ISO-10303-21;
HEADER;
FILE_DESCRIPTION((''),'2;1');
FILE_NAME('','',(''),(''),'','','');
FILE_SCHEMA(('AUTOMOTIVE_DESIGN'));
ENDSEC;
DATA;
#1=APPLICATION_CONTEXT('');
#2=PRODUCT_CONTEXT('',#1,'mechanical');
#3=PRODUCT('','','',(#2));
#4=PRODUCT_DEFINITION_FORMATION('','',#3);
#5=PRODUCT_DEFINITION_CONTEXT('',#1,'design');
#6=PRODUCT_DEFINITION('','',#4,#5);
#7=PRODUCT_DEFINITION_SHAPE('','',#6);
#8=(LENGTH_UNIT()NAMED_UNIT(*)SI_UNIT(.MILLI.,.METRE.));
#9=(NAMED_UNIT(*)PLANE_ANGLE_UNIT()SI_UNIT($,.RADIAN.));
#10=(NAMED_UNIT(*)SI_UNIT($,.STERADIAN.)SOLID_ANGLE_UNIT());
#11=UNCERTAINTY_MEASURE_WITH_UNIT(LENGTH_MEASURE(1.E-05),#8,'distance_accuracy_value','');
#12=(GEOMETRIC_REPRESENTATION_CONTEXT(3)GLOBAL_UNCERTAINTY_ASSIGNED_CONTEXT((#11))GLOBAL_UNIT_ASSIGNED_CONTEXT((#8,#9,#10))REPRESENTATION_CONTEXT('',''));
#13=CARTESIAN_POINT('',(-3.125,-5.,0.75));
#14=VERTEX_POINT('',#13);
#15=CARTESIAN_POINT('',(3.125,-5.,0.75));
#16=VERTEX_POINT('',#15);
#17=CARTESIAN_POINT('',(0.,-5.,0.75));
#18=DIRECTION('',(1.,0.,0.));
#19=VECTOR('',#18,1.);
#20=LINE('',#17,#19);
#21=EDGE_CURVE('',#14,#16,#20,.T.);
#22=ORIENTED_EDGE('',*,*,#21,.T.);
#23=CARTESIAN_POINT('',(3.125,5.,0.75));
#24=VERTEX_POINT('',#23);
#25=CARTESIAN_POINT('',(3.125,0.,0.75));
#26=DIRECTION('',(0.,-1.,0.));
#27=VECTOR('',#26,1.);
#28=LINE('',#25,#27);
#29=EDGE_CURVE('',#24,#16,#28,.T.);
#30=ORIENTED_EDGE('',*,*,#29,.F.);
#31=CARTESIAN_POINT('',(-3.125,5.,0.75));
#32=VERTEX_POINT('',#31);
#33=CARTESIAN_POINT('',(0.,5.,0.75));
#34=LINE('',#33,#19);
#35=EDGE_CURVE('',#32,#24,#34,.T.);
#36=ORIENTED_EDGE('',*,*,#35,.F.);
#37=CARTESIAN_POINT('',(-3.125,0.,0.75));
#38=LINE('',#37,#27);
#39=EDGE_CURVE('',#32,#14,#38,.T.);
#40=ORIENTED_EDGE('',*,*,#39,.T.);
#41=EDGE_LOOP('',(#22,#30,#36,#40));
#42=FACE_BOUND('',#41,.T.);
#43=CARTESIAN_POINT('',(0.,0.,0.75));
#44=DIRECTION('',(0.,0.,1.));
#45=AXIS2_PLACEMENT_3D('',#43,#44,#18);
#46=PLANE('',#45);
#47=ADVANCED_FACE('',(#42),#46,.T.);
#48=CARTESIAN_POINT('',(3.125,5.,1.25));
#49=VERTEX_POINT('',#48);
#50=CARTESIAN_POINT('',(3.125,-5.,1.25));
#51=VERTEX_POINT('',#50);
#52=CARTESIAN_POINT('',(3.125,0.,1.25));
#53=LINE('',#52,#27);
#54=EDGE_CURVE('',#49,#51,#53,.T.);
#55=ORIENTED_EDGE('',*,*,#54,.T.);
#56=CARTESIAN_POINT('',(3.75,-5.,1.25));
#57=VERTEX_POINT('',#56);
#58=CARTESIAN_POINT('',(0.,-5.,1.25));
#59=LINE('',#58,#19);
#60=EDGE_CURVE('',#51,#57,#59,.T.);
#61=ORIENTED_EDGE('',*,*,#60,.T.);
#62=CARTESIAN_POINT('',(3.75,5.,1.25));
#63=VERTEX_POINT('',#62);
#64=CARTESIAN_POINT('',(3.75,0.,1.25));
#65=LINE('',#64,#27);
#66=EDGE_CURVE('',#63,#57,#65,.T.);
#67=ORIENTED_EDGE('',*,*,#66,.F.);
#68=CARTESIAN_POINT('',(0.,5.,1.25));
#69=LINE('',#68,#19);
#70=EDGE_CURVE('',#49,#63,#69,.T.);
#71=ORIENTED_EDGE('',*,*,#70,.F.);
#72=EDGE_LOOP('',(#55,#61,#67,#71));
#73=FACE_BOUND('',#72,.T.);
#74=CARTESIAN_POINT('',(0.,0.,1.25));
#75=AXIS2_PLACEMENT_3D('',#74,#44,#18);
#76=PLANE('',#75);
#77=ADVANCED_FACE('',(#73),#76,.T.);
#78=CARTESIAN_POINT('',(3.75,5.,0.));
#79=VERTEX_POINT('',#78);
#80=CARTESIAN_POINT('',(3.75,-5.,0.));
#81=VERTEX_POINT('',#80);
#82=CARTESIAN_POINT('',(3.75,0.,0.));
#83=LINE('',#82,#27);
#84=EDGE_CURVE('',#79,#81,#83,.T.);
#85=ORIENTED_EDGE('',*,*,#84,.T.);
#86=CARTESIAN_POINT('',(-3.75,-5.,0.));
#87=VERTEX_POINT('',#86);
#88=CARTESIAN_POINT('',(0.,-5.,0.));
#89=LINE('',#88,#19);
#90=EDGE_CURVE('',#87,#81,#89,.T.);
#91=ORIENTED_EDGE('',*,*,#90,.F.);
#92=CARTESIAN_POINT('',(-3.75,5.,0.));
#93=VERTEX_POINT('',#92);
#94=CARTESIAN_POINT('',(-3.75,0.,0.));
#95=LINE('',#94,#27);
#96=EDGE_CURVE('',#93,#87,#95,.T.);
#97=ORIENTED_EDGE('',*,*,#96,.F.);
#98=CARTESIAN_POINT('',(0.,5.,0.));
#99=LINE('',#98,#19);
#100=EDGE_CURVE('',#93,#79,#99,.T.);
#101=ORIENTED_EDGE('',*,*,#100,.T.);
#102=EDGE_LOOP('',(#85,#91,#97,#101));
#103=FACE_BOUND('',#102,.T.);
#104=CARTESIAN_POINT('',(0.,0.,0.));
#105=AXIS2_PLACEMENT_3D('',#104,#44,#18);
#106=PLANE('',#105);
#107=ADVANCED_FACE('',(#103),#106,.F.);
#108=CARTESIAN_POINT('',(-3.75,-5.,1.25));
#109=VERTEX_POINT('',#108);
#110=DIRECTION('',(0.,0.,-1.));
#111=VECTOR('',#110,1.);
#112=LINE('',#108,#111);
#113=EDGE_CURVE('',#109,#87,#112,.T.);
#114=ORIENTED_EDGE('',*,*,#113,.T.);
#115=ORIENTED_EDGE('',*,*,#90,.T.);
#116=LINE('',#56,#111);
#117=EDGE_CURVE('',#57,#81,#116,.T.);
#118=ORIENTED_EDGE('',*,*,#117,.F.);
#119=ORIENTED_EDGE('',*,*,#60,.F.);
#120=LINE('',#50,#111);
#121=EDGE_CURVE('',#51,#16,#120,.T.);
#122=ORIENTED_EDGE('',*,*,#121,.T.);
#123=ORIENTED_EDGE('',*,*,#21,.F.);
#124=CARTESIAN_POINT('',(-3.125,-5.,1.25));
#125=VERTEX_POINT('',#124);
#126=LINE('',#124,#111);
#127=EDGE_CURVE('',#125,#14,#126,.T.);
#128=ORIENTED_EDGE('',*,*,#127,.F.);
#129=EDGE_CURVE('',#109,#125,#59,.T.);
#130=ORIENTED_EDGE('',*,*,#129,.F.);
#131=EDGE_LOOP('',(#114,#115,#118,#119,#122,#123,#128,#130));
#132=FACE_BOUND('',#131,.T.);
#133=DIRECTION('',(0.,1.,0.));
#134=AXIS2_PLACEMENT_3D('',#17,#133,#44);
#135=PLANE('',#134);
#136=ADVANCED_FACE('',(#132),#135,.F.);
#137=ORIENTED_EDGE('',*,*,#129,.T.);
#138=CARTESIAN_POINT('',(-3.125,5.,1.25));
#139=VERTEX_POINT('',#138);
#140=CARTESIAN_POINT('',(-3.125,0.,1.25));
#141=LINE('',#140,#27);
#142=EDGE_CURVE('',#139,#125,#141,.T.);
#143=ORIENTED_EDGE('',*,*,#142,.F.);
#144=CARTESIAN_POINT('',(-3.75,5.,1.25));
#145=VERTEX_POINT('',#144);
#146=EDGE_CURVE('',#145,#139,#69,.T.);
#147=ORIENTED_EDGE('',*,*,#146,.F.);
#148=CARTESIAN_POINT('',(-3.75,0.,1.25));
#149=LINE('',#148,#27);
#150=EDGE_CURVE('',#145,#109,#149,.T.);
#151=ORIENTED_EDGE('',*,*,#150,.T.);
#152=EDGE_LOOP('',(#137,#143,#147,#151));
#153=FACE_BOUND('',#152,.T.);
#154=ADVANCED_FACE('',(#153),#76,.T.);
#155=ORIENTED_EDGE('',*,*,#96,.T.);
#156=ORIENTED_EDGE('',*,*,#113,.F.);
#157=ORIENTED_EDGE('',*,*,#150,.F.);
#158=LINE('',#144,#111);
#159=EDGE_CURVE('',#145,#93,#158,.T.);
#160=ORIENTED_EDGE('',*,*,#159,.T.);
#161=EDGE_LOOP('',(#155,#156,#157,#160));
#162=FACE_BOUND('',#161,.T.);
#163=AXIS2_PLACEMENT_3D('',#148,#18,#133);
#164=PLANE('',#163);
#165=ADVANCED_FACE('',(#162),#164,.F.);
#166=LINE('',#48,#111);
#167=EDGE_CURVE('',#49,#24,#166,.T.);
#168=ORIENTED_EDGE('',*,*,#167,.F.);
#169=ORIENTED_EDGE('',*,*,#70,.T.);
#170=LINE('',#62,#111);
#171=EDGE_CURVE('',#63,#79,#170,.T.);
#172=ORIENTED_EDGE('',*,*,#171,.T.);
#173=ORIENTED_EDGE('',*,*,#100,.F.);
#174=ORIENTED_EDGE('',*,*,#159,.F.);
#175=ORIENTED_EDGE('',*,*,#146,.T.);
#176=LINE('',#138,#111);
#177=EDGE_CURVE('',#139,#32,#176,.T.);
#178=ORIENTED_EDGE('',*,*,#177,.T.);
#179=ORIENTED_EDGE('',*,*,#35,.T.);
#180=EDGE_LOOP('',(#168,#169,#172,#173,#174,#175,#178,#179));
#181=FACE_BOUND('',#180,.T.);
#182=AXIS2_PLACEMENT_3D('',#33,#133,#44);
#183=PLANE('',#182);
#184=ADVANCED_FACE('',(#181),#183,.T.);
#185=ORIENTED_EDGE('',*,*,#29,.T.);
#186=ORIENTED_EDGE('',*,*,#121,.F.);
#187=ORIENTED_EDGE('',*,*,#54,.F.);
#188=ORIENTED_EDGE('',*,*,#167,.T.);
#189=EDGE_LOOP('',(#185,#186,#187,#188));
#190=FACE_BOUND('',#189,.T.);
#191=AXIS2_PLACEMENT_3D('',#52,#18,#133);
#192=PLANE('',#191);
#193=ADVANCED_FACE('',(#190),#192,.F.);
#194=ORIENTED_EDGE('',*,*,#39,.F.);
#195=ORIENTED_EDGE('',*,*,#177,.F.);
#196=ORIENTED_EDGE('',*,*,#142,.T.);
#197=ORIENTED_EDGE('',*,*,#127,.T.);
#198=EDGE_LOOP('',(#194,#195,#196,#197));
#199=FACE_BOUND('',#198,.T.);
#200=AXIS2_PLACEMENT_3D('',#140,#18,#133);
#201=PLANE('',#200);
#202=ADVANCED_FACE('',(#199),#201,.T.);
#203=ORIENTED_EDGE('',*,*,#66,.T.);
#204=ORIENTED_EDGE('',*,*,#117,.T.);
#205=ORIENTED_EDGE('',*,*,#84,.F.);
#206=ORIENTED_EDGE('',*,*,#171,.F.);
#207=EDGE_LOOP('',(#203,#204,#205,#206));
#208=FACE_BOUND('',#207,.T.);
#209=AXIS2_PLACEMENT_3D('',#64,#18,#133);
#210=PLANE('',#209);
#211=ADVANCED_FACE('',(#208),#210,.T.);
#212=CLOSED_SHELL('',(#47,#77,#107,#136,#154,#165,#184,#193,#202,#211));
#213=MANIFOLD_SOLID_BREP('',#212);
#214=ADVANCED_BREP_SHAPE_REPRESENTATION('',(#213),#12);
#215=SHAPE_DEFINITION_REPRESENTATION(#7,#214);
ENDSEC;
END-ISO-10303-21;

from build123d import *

# Parameters (mm, degrees)
SKETCH1_W           = 6.25
SKETCH1_H           = 10
BOSS_EXTRUDE1_DEPTH = 0.75
SKETCH1_3_W         = 0.625
SKETCH1_3_H         = 10
BOSS_EXTRUDE2_DEPTH = 1.25


with BuildPart() as part:
    # Sketch1 → Boss-Extrude1 (new body)
    with BuildSketch(Plane.XY):
        Rectangle(SKETCH1_W, SKETCH1_H)
    extrude(amount=BOSS_EXTRUDE1_DEPTH)

    # Sketch1<3> → Boss-Extrude2 (add)
    with BuildSketch(Plane.XY):
        with Locations((3.4375, 0)):
            Rectangle(SKETCH1_3_W, SKETCH1_3_H)
        with Locations((-3.4375, 0)):
            Rectangle(SKETCH1_3_W, SKETCH1_3_H)
    extrude(amount=BOSS_EXTRUDE2_DEPTH)


solid = part.part
